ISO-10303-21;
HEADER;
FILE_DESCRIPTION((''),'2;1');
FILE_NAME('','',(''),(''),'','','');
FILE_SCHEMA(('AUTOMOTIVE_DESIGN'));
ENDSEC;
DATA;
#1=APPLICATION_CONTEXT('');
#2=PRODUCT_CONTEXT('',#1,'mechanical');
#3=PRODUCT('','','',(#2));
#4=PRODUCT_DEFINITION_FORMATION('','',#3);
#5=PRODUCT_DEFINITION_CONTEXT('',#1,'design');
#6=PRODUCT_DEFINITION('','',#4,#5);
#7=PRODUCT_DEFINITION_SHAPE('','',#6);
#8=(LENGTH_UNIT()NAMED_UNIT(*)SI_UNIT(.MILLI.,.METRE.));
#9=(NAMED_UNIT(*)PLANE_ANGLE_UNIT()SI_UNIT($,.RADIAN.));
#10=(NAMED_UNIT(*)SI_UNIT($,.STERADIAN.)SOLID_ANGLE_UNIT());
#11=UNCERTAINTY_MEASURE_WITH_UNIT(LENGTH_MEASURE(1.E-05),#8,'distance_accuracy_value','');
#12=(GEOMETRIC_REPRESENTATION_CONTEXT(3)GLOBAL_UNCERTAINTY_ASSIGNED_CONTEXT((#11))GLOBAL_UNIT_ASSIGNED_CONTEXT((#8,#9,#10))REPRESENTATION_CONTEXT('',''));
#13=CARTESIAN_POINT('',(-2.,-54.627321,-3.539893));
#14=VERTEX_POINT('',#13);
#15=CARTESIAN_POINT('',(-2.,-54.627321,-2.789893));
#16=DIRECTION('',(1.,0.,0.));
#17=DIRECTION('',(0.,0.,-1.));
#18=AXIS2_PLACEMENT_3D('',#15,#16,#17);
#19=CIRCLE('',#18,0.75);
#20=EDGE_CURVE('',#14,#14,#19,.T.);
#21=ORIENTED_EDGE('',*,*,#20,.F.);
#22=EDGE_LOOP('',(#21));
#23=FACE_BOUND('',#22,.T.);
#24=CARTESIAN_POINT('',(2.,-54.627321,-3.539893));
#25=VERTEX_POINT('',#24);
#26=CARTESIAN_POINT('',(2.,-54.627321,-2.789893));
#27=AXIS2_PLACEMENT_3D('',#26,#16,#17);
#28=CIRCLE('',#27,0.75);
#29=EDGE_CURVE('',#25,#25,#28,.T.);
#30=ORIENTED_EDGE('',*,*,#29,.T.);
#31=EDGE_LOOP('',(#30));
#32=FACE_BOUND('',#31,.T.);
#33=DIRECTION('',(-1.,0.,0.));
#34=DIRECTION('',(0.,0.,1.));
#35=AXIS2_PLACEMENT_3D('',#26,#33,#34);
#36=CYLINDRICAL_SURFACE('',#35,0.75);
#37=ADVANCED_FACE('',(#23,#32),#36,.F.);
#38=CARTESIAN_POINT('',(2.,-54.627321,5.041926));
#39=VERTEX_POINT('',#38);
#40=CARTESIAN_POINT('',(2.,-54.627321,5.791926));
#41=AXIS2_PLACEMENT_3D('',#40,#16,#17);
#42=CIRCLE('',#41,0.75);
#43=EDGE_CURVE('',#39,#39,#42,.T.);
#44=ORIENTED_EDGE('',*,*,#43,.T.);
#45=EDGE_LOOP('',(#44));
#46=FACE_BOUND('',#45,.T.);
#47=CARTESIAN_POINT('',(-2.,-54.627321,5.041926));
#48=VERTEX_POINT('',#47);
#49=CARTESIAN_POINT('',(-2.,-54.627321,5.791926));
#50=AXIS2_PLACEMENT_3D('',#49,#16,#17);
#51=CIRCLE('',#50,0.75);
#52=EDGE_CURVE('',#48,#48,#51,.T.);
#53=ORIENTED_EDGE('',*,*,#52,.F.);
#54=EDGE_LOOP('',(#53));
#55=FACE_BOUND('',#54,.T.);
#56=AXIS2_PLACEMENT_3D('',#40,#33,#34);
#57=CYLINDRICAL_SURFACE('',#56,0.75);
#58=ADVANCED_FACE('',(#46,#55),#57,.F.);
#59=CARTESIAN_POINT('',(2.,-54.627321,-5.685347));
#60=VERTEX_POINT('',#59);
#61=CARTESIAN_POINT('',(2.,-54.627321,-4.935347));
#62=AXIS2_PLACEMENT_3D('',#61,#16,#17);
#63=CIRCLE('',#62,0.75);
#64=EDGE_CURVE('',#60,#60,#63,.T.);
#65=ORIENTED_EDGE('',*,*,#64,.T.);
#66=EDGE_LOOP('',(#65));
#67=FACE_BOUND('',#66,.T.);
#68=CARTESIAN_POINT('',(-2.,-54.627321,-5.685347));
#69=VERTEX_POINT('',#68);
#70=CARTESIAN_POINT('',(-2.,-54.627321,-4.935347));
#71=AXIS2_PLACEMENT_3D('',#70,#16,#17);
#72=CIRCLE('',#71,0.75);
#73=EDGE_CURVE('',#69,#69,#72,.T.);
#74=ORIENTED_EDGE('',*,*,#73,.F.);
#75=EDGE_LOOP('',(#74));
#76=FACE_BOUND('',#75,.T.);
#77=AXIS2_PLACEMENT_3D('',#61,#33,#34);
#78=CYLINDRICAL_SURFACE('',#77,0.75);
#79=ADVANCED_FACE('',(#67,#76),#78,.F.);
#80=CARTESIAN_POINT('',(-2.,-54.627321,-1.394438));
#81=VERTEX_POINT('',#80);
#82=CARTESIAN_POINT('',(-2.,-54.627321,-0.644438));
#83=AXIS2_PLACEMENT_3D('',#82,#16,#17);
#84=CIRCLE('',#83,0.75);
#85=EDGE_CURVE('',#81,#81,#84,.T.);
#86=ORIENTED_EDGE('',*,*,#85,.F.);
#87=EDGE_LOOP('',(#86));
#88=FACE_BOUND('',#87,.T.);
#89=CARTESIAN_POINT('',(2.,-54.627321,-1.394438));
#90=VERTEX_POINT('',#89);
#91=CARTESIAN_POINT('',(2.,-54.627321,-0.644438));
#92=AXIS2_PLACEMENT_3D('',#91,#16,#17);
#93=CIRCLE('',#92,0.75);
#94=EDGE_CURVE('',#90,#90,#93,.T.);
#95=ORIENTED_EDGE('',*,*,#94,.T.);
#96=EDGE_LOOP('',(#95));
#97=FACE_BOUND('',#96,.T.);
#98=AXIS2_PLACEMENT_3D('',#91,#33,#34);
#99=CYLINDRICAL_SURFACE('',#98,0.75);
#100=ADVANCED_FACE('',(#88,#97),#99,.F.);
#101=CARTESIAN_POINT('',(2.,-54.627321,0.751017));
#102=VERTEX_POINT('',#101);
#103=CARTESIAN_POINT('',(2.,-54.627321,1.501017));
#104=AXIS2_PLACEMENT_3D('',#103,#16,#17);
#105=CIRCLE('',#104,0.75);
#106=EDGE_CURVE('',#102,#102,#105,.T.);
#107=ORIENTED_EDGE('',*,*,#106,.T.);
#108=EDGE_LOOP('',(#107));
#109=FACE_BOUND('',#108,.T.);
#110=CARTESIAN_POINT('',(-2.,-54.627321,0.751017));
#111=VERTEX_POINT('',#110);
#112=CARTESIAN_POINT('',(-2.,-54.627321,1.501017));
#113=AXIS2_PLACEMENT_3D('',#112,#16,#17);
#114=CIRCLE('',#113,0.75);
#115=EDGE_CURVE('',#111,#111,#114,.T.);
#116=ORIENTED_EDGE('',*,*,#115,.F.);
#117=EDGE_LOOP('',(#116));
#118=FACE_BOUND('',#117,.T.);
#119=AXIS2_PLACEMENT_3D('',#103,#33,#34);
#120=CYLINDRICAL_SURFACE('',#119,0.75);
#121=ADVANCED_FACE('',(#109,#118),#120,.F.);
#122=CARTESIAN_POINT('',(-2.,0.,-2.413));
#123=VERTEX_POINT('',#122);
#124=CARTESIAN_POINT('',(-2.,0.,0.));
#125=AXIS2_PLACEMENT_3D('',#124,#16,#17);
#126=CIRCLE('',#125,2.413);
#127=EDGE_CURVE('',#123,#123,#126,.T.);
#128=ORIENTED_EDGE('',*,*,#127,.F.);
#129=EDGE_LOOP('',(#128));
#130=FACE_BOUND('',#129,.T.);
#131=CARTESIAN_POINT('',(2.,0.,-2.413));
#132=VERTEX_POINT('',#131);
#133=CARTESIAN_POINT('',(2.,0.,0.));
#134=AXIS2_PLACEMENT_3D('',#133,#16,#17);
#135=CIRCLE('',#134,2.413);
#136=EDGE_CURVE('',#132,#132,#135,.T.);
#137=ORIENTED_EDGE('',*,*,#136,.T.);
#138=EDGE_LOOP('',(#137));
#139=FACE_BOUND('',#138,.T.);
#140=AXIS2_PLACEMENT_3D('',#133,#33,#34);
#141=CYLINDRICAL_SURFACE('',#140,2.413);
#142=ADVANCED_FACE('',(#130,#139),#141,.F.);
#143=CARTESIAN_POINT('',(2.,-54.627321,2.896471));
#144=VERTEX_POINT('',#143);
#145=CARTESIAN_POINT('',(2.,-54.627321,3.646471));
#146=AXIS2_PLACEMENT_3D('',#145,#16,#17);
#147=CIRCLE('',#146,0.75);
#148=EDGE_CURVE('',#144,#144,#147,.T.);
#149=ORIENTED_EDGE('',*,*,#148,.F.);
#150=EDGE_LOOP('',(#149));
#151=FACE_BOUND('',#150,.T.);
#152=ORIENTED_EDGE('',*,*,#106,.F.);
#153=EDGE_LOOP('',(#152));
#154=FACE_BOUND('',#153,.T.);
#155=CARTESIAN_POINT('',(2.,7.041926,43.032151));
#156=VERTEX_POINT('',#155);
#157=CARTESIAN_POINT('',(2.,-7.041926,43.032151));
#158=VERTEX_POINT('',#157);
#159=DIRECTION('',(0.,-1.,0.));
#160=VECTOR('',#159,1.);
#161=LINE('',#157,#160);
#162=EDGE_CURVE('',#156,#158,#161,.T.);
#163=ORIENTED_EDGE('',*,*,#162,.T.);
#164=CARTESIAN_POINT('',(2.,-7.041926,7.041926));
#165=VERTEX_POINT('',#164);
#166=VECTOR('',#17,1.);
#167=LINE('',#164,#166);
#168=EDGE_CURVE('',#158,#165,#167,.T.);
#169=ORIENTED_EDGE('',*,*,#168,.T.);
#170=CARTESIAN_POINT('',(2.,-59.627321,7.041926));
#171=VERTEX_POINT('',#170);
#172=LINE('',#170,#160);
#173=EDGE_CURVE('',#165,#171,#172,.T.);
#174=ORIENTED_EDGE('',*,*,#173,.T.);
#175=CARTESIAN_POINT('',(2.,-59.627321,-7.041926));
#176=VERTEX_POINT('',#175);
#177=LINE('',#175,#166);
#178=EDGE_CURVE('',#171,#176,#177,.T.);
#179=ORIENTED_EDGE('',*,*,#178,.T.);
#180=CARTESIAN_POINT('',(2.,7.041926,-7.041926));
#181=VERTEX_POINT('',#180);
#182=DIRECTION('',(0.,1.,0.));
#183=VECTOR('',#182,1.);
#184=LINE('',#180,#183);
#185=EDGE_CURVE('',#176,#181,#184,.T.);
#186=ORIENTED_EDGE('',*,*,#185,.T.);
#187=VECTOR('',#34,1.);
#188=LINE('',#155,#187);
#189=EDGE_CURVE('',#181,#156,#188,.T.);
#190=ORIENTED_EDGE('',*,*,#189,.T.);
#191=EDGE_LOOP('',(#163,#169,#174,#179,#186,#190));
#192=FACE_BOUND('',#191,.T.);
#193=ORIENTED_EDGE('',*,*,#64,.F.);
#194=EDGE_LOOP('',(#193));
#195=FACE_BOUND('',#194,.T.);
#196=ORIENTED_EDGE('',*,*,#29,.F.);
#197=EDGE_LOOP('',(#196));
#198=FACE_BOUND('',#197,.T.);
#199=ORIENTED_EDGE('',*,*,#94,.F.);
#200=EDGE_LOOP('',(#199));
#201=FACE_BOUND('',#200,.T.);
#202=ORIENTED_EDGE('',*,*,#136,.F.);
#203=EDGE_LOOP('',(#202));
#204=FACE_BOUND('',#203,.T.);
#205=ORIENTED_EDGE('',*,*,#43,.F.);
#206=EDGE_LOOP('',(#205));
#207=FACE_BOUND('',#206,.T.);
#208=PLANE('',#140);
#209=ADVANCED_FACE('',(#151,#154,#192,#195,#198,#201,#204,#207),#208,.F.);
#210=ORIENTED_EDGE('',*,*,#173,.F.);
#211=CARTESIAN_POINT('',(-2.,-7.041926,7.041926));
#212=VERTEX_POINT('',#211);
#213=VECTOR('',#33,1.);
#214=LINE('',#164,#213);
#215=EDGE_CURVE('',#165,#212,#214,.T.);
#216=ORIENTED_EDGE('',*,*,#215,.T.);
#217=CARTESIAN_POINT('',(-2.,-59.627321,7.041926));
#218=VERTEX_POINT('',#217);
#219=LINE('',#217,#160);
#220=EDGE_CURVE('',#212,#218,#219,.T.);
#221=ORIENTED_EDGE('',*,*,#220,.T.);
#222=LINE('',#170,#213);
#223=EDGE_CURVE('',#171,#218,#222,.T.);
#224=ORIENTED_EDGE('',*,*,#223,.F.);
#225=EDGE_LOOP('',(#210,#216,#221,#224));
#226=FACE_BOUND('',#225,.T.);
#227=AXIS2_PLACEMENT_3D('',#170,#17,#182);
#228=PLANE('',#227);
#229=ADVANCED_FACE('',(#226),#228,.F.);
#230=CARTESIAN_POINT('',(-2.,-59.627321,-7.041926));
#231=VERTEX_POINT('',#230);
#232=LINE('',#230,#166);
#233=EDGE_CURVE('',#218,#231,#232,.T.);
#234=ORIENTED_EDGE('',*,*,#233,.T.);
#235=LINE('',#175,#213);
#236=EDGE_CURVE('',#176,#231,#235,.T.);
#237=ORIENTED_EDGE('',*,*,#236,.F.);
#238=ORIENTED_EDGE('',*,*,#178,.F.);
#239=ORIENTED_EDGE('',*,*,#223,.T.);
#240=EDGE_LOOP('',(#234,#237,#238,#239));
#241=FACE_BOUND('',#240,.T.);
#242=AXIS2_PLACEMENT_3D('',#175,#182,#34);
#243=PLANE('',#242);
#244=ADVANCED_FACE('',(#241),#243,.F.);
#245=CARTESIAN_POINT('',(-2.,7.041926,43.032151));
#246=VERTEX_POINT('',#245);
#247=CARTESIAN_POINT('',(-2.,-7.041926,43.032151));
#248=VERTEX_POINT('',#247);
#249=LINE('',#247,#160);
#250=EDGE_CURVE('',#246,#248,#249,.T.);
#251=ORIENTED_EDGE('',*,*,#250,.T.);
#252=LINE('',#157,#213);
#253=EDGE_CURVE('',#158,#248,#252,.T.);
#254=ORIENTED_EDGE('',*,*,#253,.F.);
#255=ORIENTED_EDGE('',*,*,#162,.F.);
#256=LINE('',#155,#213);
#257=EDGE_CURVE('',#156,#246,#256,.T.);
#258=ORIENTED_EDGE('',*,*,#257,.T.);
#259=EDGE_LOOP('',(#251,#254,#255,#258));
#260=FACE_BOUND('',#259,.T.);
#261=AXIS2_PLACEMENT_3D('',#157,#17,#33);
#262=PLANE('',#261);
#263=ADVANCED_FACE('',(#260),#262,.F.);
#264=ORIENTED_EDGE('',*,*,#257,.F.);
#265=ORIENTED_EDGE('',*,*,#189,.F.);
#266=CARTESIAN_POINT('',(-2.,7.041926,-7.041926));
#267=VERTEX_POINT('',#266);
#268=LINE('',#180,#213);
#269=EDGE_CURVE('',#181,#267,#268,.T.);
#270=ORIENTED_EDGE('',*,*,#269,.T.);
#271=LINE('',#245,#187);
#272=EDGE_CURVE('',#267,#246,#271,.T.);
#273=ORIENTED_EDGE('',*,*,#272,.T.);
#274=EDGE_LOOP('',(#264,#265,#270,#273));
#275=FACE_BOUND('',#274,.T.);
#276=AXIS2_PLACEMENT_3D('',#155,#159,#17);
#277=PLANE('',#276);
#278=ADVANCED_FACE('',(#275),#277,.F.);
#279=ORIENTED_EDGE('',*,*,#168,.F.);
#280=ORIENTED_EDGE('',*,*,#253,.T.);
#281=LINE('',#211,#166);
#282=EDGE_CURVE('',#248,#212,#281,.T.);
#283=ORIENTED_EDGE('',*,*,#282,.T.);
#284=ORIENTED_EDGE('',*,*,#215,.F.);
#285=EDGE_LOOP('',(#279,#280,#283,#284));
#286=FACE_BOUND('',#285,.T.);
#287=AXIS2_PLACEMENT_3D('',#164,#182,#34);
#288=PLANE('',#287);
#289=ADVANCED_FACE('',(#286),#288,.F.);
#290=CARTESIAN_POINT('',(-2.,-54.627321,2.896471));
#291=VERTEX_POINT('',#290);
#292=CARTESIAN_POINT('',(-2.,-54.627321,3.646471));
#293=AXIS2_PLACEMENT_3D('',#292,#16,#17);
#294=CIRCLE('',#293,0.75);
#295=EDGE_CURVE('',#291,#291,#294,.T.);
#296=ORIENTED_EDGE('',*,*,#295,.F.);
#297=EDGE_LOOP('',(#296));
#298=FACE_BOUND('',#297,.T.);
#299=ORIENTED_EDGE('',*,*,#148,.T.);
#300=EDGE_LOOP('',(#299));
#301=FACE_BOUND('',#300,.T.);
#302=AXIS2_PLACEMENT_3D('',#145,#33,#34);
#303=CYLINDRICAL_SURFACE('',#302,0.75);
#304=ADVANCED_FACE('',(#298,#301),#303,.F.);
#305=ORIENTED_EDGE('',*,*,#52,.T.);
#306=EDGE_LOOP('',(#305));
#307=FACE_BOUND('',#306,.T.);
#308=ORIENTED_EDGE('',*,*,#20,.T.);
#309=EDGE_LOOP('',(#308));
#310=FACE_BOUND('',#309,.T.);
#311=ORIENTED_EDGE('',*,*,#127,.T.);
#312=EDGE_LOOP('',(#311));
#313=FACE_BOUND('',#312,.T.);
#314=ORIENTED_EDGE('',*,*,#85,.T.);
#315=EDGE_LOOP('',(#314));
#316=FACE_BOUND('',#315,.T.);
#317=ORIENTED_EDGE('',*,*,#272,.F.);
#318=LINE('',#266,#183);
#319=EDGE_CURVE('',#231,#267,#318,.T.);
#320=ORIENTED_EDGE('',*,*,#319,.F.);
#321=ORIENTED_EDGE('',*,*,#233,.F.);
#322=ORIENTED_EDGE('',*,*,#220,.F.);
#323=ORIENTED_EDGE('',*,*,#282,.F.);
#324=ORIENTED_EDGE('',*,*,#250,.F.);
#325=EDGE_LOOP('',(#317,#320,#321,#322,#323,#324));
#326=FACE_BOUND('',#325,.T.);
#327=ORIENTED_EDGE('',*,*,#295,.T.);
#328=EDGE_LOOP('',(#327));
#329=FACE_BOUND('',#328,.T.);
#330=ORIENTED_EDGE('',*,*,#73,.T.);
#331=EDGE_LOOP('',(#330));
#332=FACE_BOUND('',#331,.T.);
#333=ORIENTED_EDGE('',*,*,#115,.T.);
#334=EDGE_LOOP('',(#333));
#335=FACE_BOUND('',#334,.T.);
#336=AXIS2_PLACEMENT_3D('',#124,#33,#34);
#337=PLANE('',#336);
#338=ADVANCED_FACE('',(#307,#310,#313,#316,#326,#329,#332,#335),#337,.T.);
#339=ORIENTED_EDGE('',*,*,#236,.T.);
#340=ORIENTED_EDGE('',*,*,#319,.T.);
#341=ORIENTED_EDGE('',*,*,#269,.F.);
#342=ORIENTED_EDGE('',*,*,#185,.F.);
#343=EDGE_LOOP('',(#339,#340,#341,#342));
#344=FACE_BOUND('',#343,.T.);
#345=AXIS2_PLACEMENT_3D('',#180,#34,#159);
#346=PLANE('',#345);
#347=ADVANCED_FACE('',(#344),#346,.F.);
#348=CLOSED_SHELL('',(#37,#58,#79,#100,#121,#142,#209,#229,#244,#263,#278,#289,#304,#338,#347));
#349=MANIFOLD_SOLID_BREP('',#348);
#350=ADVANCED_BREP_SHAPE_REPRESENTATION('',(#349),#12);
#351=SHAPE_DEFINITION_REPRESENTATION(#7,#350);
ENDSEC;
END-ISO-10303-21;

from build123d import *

# Parameters (mm, degrees)
SKETCH1_R           = 2.413
SKETCH1_R_2         = 0.75
BOSS_EXTRUDE1_DEPTH = 2


with BuildPart() as part:
    # Sketch1 → Boss-Extrude1 (new, symmetric)
    with BuildSketch(Plane(origin=(0, 0, 0), x_dir=(0, 0, -1), z_dir=(1, 0, 0))):
        Polygon((-43.032150888, 7.041925615), (7.041925615, 7.041925615), (7.041925615, -59.627321198), (-7.041925615, -59.627321198), (-7.041925615, -7.041925615), (-43.032150888, -7.041925615), align=None)
        Circle(SKETCH1_R, mode=Mode.SUBTRACT)
        with Locations((-5.791925615, -54.627321198)):
            Circle(SKETCH1_R_2, mode=Mode.SUBTRACT)
        with Locations((-3.64647107, -54.627321198)):
            Circle(SKETCH1_R_2, mode=Mode.SUBTRACT)
        with Locations((-1.501016524, -54.627321198)):
            Circle(SKETCH1_R_2, mode=Mode.SUBTRACT)
        with Locations((0.644438021, -54.627321198)):
            Circle(SKETCH1_R_2, mode=Mode.SUBTRACT)
        with Locations((2.789892567, -54.627321198)):
            Circle(SKETCH1_R_2, mode=Mode.SUBTRACT)
        with Locations((4.935347112, -54.627321198)):
            Circle(SKETCH1_R_2, mode=Mode.SUBTRACT)
    extrude(amount=BOSS_EXTRUDE1_DEPTH, both=True)


solid = part.part
